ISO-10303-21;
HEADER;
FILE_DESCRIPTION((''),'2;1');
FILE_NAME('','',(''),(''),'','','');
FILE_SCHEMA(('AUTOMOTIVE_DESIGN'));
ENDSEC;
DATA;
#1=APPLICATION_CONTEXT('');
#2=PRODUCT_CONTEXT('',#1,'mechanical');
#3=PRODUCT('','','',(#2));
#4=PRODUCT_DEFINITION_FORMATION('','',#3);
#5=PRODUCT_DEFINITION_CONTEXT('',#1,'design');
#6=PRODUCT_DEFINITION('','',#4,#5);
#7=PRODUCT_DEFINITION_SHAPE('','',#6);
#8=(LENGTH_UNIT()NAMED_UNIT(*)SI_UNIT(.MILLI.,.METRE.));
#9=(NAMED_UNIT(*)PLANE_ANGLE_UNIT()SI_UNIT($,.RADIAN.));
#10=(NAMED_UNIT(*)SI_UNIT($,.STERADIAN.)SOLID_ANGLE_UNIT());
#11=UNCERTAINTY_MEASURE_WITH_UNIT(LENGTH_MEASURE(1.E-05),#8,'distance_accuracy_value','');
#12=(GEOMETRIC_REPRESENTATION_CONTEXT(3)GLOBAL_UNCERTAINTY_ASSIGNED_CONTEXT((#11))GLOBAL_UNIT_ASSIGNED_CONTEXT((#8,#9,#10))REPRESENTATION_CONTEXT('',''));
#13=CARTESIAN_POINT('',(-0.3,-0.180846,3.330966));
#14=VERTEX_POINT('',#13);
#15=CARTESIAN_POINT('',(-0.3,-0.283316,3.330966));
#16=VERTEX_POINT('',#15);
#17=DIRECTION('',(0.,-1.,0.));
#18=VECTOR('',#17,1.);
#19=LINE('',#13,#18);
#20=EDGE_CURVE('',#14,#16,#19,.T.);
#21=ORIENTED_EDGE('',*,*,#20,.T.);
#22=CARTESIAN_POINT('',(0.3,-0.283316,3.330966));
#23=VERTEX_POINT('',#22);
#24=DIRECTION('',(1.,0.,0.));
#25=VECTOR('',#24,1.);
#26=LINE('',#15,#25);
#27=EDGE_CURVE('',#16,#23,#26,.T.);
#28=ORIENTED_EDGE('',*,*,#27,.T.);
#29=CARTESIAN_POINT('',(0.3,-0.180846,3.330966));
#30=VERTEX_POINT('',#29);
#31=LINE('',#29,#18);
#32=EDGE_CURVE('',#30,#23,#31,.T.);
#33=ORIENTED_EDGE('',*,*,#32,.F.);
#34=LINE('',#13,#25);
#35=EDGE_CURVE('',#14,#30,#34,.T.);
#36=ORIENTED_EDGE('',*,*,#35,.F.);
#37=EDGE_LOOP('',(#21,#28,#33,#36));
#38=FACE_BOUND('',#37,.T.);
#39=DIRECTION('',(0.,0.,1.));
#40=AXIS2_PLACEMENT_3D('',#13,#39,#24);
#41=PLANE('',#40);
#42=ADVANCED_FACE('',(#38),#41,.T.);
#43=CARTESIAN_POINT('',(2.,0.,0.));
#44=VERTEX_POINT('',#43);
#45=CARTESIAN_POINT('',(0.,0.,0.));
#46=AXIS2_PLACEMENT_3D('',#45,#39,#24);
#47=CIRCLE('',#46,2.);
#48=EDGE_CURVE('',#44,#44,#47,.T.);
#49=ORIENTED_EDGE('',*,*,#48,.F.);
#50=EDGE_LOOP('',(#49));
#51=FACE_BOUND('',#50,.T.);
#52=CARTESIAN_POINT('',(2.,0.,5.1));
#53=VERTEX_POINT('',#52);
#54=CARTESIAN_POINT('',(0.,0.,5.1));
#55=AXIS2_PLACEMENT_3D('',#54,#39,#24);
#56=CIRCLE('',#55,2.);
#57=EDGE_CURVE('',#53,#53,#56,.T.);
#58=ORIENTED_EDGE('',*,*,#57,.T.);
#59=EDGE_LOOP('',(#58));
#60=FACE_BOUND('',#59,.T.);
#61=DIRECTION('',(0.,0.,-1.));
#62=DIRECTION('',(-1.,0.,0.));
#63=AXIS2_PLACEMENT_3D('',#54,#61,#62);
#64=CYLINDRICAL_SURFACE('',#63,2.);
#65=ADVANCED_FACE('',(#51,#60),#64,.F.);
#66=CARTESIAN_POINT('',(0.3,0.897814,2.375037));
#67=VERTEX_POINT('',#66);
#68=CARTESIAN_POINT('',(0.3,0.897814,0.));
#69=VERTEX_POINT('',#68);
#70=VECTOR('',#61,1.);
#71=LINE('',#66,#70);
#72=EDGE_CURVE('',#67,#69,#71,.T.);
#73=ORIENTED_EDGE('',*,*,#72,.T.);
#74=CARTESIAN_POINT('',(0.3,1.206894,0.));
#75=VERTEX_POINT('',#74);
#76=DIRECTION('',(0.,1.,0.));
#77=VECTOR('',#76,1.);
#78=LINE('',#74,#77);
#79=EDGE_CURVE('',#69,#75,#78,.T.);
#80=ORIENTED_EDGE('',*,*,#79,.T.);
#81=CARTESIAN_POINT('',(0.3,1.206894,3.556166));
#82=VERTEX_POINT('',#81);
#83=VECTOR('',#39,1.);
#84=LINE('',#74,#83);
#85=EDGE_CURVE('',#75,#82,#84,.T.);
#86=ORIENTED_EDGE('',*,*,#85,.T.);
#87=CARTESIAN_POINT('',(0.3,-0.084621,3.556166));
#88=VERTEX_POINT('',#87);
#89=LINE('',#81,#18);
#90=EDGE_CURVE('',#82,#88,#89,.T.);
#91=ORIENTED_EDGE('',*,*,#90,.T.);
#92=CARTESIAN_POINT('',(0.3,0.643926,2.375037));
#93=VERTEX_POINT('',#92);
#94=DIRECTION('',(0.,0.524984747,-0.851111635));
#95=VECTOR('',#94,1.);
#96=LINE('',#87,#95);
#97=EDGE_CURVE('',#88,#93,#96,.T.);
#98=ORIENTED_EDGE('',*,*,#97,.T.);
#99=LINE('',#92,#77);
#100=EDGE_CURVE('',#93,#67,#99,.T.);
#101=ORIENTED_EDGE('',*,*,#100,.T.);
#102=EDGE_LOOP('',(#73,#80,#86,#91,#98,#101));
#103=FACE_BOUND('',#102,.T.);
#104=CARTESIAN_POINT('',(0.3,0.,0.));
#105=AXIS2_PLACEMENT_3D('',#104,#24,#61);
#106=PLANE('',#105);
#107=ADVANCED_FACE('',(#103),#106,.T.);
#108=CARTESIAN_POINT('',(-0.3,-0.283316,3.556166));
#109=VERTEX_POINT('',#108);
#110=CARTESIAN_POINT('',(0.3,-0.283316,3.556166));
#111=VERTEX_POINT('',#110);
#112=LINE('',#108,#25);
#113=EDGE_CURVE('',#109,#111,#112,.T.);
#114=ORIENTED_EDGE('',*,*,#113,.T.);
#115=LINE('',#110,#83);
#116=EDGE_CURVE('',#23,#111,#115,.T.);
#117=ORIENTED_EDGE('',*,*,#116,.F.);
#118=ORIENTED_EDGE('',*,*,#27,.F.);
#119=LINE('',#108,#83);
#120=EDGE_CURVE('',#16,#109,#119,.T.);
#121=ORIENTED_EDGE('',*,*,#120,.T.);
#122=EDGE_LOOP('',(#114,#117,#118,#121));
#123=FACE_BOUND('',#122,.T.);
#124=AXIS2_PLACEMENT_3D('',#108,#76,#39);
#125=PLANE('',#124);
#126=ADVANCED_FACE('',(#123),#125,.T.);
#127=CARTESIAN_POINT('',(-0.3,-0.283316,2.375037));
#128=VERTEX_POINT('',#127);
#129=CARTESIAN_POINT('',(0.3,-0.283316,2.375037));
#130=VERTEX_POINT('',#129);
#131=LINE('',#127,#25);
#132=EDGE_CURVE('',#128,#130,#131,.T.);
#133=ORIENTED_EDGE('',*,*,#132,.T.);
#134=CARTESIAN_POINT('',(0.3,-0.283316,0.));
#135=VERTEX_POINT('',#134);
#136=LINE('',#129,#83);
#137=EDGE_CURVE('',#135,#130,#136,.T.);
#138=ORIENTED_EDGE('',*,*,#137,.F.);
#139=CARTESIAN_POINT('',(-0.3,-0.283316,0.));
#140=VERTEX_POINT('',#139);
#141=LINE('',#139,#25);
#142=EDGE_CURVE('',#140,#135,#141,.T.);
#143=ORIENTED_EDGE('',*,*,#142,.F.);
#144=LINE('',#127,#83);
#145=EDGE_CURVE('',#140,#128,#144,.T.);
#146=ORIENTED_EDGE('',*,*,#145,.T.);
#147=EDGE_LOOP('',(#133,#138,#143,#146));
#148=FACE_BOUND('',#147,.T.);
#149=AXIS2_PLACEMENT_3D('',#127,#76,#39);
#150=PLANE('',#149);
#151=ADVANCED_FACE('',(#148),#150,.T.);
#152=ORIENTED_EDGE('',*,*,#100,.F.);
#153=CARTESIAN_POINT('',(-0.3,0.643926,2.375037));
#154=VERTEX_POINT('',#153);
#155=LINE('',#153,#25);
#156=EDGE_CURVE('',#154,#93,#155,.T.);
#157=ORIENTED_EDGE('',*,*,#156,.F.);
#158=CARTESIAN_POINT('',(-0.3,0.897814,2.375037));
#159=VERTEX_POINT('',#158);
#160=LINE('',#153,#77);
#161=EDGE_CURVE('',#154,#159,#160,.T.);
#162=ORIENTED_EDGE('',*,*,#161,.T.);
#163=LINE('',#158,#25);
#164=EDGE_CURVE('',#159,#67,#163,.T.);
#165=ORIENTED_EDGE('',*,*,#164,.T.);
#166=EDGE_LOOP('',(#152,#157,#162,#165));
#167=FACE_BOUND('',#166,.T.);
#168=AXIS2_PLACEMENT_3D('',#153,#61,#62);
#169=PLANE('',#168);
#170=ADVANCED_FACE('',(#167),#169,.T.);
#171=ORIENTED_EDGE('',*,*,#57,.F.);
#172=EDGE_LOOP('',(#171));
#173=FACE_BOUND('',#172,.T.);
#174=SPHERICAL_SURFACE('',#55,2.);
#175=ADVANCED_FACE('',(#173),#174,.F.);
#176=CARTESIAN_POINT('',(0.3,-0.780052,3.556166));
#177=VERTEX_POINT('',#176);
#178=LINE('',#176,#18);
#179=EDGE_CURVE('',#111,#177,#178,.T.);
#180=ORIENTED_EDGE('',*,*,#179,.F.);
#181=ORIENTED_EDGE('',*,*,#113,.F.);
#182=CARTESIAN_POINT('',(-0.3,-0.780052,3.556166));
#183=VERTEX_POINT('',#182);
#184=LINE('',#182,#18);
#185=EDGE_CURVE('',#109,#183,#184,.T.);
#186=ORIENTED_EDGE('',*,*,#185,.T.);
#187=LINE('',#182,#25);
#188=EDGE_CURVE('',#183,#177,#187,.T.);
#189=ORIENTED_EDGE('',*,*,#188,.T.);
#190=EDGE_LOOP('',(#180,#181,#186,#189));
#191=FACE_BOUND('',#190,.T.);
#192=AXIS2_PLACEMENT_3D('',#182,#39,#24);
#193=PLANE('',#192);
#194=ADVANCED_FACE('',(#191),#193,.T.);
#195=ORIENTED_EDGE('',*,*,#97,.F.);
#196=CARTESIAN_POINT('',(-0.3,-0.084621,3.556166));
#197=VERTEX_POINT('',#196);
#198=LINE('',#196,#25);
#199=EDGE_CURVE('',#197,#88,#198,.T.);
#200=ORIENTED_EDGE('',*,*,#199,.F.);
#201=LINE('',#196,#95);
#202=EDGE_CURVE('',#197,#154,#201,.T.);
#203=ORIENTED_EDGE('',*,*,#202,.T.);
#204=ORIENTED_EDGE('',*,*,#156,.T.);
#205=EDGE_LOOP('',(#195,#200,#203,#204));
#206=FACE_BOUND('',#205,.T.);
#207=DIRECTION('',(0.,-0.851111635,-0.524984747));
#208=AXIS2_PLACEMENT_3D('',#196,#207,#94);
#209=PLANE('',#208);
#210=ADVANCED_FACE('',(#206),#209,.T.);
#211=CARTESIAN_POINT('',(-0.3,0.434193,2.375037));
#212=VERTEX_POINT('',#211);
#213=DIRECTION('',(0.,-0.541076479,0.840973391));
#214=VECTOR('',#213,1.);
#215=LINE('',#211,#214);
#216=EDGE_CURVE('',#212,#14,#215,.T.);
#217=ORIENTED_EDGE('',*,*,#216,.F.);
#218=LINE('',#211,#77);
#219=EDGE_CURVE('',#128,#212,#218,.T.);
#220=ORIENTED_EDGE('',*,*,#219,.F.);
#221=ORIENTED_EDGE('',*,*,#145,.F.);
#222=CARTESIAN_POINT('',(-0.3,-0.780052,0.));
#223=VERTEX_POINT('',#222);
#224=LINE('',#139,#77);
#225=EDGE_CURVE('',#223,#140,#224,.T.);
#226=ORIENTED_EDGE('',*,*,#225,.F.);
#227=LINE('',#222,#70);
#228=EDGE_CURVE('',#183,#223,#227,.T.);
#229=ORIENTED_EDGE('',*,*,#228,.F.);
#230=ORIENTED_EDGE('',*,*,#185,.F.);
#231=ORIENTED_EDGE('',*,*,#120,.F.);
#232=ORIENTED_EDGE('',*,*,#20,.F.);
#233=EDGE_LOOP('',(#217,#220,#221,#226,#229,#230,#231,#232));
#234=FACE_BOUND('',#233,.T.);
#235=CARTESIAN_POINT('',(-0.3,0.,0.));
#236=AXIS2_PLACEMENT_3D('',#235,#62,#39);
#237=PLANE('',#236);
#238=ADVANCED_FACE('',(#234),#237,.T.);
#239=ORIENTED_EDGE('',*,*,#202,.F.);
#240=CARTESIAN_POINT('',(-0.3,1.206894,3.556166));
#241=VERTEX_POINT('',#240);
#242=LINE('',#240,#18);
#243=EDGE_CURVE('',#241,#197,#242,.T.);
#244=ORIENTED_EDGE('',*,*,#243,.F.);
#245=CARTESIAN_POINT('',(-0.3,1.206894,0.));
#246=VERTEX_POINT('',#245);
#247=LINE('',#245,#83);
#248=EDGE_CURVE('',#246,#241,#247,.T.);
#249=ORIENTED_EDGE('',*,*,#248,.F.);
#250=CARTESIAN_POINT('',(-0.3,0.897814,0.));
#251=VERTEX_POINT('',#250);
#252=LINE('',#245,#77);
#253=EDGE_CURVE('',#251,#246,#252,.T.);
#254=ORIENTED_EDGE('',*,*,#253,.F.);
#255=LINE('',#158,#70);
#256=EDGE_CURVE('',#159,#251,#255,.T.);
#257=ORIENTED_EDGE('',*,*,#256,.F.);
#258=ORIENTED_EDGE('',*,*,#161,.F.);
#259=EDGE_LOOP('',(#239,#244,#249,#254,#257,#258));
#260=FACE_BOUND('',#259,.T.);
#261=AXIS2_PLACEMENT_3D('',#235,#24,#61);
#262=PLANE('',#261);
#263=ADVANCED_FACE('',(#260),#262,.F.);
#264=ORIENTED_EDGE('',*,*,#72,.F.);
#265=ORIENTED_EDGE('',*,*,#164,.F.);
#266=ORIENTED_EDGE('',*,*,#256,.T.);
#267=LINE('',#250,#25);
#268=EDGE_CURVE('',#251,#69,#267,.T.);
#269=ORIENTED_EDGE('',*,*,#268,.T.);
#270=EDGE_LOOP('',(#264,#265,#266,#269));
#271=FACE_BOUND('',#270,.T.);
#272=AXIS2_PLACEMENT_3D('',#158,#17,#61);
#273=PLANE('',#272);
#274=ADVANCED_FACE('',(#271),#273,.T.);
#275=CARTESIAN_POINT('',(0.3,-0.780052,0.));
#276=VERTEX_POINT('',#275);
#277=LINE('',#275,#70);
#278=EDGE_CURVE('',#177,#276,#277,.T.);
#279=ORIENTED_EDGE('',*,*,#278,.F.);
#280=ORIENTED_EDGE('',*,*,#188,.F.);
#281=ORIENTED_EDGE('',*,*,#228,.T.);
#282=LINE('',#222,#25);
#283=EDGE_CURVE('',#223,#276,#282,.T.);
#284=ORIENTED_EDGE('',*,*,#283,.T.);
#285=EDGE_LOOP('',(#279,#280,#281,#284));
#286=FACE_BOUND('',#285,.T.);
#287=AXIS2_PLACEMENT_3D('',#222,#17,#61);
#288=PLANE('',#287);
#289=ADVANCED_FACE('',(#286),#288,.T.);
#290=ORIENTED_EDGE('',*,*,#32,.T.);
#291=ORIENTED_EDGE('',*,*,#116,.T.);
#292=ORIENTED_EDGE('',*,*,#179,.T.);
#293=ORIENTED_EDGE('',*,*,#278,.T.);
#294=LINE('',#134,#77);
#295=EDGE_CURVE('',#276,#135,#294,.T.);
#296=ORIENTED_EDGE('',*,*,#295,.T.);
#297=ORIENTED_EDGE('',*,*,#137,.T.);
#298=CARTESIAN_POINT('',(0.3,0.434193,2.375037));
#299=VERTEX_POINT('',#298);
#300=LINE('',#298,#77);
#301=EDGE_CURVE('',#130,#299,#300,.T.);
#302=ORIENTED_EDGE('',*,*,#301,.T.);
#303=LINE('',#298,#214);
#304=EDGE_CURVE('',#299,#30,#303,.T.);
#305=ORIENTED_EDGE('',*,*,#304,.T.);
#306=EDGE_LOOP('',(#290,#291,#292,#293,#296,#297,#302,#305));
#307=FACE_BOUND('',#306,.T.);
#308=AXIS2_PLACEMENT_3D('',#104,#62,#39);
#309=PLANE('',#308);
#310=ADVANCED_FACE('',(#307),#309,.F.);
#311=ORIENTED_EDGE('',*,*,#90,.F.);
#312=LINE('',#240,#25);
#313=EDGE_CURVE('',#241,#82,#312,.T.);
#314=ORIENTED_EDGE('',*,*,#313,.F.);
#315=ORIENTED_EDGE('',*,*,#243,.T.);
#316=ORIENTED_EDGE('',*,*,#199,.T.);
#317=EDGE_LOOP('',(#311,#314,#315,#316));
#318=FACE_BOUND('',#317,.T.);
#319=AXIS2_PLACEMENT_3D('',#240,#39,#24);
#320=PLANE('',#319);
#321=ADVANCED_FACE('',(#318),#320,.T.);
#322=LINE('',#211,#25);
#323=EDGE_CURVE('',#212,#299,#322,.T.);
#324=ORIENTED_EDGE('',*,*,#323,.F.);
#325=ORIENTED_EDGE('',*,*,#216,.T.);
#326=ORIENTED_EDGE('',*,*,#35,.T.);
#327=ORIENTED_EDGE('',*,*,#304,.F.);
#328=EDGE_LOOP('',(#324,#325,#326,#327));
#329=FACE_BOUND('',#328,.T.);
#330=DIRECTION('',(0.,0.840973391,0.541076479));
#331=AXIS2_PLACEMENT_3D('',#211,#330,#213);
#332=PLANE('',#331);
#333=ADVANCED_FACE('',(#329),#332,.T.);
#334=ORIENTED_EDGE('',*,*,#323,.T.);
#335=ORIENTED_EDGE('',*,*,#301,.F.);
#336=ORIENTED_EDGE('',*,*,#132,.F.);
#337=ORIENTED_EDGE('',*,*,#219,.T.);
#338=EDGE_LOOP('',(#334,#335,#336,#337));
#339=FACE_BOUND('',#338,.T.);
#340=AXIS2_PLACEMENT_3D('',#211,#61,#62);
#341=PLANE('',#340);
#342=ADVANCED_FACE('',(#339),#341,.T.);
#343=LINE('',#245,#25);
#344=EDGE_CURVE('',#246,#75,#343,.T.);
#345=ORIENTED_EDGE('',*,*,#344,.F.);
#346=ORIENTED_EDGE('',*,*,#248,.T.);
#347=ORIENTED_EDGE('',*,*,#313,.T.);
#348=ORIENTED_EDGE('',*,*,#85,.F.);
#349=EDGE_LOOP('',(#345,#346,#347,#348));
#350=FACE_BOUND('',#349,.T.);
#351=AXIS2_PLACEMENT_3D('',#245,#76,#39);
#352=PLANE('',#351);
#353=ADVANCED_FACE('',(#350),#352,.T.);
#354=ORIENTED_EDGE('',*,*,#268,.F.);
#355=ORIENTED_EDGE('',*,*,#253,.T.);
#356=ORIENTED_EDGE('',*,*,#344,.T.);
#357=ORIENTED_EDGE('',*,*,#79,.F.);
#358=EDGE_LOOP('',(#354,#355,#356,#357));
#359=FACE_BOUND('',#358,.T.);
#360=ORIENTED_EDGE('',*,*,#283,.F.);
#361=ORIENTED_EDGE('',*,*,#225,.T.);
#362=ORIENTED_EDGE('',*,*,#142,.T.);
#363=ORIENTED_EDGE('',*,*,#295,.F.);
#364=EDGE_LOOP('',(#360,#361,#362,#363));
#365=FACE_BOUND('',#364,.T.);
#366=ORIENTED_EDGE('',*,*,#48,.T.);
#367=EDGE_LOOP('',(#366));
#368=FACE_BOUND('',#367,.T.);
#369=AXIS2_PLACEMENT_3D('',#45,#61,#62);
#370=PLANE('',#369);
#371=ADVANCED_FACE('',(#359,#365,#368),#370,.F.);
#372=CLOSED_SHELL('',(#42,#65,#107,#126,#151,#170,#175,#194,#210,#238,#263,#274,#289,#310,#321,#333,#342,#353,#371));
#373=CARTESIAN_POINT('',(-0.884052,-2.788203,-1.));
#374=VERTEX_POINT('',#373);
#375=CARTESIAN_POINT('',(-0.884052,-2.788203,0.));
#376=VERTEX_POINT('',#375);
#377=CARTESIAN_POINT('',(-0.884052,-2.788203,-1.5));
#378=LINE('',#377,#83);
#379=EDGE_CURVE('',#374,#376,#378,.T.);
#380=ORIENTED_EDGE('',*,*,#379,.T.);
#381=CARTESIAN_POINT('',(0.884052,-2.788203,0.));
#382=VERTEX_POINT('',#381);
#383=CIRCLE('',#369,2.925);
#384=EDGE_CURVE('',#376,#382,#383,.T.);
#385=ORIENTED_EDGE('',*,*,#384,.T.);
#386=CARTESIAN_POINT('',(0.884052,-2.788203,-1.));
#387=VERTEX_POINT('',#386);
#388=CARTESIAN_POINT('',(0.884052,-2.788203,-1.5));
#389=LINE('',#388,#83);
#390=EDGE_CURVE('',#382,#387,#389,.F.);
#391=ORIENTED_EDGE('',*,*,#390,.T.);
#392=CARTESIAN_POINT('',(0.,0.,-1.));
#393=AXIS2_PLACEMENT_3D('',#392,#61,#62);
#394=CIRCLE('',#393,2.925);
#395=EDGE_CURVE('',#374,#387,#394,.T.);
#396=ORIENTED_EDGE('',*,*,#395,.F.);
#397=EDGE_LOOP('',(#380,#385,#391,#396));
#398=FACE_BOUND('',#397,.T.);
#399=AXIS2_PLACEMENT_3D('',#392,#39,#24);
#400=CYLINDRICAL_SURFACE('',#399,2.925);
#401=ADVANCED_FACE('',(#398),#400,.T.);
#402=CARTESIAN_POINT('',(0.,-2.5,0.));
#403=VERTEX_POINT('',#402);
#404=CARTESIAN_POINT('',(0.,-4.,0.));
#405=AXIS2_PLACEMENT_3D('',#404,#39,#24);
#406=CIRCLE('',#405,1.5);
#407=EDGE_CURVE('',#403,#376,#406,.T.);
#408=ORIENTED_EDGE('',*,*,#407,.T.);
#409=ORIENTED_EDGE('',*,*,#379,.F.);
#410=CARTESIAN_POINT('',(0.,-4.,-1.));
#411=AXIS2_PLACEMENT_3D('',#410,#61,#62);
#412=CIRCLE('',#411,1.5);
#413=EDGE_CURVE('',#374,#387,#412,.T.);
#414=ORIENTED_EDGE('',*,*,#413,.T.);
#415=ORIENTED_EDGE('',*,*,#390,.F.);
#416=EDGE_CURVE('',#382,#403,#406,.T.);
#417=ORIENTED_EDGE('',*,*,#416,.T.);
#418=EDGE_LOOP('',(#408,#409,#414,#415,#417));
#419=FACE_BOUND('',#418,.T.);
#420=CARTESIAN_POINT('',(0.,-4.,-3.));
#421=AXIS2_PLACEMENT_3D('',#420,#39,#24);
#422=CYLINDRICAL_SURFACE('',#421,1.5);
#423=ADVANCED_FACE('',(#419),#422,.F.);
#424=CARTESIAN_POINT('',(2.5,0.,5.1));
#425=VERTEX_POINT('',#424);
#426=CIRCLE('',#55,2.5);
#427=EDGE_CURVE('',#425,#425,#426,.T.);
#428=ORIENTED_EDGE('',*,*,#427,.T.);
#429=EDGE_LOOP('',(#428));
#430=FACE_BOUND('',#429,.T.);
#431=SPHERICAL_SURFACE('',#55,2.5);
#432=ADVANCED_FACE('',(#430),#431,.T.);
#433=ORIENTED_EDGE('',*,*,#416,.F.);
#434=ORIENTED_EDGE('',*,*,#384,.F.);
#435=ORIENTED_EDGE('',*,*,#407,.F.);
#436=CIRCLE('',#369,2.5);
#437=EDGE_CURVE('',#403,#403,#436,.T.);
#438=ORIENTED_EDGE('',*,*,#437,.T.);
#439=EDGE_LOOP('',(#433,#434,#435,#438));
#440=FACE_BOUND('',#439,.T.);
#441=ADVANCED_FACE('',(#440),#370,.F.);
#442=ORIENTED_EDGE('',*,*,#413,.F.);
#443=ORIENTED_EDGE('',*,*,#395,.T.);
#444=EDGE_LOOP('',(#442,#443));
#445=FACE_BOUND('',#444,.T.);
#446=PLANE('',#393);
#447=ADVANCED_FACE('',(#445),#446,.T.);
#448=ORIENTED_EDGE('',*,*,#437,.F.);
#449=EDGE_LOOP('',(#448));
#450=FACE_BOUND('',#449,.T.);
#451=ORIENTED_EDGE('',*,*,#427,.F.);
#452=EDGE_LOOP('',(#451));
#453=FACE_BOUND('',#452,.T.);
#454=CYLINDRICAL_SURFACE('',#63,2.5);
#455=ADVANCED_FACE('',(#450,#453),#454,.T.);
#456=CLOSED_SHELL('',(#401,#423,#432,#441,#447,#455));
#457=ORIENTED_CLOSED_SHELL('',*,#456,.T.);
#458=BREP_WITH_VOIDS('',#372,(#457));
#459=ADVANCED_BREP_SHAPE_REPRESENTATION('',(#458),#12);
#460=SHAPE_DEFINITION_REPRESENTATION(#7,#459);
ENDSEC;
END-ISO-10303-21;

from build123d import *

# Parameters (mm, degrees)
SKETCH1_R                = 2.5
SKETCH1_R_2              = 2
BOSS_EXTRUDE1_DEPTH      = 5.1
SKETCH3_R                = 2.925
BOSS_EXTRUDE2_DEPTH      = 1
SKETCH4_R                = 2
CUT_EXTRUDE2_DEPTH       = 5.1
BOSS_EXTRUDE3_DEPTH      = 0.3
BOSS_EXTRUDE3_DEPTH_BACK = 0.3
SKETCH9_R                = 1.5
CUT_EXTRUDE3_DEPTH       = 3


with BuildPart() as part:
    # Sketch1 → Boss-Extrude1 (new body)
    with BuildSketch(Plane.XY):
        Circle(SKETCH1_R)
        Circle(SKETCH1_R_2, mode=Mode.SUBTRACT)
    extrude(amount=BOSS_EXTRUDE1_DEPTH)

    # Sketch2 → Revolve1 (revolve)
    with BuildSketch(Plane.XY.offset(5.1)):
        with BuildLine():
            Line((-2.5, 0), (-2, 0))
            ThreePointArc((-2, 0), (0, -2), (2, 0))
            Line((2, 0), (2.5, 0))
            ThreePointArc((2.5, 0), (0, -2.5), (-2.5, 0))
        make_face()
    revolve(axis=Axis((-3.079262147, 0, 5.1), (1, 0, 0)))

    # Sketch3 → Boss-Extrude2 (add)
    with BuildSketch(Plane(origin=(0, 0, 0), x_dir=(-1, 0, 0), z_dir=(0, 0, -1))):
        Circle(SKETCH3_R)
    extrude(amount=BOSS_EXTRUDE2_DEPTH)

    # Sketch4 → Cut-Extrude2 (cut)
    with BuildSketch(Plane.XY):
        Circle(SKETCH4_R)
    extrude(amount=CUT_EXTRUDE2_DEPTH, mode=Mode.SUBTRACT)

    # Sketch6 → Boss-Extrude3 (add, two sides: drawn at the far end of the back side and taken through both)
    with BuildSketch(Plane(origin=(0, 0, 0), x_dir=(0, 0, -1), z_dir=(1, 0, 0)).offset(-BOSS_EXTRUDE3_DEPTH_BACK)):
        Polygon((0, 1.206894491), (-3.556166294, 1.206894491), (-3.556166294, -0.084621026), (-2.37503672, 0.643926189), (-2.37503672, 0.897813854), (0, 0.897813854), align=None)
        Polygon((-3.556166294, -0.28331572), (-3.330966178, -0.28331572), (-3.330966178, -0.18084552), (-2.37503672, 0.4341929), (-2.37503672, -0.28331572), (0, -0.28331572), (0, -0.780052457), (-3.556166294, -0.780052457), align=None)
    extrude(amount=BOSS_EXTRUDE3_DEPTH + BOSS_EXTRUDE3_DEPTH_BACK)

    # Sketch9 → Cut-Extrude3 (cut)
    with BuildSketch(Plane.XY):
        with Locations((0, -4)):
            Circle(SKETCH9_R)
    extrude(amount=-CUT_EXTRUDE3_DEPTH, mode=Mode.SUBTRACT)


solid = part.part
